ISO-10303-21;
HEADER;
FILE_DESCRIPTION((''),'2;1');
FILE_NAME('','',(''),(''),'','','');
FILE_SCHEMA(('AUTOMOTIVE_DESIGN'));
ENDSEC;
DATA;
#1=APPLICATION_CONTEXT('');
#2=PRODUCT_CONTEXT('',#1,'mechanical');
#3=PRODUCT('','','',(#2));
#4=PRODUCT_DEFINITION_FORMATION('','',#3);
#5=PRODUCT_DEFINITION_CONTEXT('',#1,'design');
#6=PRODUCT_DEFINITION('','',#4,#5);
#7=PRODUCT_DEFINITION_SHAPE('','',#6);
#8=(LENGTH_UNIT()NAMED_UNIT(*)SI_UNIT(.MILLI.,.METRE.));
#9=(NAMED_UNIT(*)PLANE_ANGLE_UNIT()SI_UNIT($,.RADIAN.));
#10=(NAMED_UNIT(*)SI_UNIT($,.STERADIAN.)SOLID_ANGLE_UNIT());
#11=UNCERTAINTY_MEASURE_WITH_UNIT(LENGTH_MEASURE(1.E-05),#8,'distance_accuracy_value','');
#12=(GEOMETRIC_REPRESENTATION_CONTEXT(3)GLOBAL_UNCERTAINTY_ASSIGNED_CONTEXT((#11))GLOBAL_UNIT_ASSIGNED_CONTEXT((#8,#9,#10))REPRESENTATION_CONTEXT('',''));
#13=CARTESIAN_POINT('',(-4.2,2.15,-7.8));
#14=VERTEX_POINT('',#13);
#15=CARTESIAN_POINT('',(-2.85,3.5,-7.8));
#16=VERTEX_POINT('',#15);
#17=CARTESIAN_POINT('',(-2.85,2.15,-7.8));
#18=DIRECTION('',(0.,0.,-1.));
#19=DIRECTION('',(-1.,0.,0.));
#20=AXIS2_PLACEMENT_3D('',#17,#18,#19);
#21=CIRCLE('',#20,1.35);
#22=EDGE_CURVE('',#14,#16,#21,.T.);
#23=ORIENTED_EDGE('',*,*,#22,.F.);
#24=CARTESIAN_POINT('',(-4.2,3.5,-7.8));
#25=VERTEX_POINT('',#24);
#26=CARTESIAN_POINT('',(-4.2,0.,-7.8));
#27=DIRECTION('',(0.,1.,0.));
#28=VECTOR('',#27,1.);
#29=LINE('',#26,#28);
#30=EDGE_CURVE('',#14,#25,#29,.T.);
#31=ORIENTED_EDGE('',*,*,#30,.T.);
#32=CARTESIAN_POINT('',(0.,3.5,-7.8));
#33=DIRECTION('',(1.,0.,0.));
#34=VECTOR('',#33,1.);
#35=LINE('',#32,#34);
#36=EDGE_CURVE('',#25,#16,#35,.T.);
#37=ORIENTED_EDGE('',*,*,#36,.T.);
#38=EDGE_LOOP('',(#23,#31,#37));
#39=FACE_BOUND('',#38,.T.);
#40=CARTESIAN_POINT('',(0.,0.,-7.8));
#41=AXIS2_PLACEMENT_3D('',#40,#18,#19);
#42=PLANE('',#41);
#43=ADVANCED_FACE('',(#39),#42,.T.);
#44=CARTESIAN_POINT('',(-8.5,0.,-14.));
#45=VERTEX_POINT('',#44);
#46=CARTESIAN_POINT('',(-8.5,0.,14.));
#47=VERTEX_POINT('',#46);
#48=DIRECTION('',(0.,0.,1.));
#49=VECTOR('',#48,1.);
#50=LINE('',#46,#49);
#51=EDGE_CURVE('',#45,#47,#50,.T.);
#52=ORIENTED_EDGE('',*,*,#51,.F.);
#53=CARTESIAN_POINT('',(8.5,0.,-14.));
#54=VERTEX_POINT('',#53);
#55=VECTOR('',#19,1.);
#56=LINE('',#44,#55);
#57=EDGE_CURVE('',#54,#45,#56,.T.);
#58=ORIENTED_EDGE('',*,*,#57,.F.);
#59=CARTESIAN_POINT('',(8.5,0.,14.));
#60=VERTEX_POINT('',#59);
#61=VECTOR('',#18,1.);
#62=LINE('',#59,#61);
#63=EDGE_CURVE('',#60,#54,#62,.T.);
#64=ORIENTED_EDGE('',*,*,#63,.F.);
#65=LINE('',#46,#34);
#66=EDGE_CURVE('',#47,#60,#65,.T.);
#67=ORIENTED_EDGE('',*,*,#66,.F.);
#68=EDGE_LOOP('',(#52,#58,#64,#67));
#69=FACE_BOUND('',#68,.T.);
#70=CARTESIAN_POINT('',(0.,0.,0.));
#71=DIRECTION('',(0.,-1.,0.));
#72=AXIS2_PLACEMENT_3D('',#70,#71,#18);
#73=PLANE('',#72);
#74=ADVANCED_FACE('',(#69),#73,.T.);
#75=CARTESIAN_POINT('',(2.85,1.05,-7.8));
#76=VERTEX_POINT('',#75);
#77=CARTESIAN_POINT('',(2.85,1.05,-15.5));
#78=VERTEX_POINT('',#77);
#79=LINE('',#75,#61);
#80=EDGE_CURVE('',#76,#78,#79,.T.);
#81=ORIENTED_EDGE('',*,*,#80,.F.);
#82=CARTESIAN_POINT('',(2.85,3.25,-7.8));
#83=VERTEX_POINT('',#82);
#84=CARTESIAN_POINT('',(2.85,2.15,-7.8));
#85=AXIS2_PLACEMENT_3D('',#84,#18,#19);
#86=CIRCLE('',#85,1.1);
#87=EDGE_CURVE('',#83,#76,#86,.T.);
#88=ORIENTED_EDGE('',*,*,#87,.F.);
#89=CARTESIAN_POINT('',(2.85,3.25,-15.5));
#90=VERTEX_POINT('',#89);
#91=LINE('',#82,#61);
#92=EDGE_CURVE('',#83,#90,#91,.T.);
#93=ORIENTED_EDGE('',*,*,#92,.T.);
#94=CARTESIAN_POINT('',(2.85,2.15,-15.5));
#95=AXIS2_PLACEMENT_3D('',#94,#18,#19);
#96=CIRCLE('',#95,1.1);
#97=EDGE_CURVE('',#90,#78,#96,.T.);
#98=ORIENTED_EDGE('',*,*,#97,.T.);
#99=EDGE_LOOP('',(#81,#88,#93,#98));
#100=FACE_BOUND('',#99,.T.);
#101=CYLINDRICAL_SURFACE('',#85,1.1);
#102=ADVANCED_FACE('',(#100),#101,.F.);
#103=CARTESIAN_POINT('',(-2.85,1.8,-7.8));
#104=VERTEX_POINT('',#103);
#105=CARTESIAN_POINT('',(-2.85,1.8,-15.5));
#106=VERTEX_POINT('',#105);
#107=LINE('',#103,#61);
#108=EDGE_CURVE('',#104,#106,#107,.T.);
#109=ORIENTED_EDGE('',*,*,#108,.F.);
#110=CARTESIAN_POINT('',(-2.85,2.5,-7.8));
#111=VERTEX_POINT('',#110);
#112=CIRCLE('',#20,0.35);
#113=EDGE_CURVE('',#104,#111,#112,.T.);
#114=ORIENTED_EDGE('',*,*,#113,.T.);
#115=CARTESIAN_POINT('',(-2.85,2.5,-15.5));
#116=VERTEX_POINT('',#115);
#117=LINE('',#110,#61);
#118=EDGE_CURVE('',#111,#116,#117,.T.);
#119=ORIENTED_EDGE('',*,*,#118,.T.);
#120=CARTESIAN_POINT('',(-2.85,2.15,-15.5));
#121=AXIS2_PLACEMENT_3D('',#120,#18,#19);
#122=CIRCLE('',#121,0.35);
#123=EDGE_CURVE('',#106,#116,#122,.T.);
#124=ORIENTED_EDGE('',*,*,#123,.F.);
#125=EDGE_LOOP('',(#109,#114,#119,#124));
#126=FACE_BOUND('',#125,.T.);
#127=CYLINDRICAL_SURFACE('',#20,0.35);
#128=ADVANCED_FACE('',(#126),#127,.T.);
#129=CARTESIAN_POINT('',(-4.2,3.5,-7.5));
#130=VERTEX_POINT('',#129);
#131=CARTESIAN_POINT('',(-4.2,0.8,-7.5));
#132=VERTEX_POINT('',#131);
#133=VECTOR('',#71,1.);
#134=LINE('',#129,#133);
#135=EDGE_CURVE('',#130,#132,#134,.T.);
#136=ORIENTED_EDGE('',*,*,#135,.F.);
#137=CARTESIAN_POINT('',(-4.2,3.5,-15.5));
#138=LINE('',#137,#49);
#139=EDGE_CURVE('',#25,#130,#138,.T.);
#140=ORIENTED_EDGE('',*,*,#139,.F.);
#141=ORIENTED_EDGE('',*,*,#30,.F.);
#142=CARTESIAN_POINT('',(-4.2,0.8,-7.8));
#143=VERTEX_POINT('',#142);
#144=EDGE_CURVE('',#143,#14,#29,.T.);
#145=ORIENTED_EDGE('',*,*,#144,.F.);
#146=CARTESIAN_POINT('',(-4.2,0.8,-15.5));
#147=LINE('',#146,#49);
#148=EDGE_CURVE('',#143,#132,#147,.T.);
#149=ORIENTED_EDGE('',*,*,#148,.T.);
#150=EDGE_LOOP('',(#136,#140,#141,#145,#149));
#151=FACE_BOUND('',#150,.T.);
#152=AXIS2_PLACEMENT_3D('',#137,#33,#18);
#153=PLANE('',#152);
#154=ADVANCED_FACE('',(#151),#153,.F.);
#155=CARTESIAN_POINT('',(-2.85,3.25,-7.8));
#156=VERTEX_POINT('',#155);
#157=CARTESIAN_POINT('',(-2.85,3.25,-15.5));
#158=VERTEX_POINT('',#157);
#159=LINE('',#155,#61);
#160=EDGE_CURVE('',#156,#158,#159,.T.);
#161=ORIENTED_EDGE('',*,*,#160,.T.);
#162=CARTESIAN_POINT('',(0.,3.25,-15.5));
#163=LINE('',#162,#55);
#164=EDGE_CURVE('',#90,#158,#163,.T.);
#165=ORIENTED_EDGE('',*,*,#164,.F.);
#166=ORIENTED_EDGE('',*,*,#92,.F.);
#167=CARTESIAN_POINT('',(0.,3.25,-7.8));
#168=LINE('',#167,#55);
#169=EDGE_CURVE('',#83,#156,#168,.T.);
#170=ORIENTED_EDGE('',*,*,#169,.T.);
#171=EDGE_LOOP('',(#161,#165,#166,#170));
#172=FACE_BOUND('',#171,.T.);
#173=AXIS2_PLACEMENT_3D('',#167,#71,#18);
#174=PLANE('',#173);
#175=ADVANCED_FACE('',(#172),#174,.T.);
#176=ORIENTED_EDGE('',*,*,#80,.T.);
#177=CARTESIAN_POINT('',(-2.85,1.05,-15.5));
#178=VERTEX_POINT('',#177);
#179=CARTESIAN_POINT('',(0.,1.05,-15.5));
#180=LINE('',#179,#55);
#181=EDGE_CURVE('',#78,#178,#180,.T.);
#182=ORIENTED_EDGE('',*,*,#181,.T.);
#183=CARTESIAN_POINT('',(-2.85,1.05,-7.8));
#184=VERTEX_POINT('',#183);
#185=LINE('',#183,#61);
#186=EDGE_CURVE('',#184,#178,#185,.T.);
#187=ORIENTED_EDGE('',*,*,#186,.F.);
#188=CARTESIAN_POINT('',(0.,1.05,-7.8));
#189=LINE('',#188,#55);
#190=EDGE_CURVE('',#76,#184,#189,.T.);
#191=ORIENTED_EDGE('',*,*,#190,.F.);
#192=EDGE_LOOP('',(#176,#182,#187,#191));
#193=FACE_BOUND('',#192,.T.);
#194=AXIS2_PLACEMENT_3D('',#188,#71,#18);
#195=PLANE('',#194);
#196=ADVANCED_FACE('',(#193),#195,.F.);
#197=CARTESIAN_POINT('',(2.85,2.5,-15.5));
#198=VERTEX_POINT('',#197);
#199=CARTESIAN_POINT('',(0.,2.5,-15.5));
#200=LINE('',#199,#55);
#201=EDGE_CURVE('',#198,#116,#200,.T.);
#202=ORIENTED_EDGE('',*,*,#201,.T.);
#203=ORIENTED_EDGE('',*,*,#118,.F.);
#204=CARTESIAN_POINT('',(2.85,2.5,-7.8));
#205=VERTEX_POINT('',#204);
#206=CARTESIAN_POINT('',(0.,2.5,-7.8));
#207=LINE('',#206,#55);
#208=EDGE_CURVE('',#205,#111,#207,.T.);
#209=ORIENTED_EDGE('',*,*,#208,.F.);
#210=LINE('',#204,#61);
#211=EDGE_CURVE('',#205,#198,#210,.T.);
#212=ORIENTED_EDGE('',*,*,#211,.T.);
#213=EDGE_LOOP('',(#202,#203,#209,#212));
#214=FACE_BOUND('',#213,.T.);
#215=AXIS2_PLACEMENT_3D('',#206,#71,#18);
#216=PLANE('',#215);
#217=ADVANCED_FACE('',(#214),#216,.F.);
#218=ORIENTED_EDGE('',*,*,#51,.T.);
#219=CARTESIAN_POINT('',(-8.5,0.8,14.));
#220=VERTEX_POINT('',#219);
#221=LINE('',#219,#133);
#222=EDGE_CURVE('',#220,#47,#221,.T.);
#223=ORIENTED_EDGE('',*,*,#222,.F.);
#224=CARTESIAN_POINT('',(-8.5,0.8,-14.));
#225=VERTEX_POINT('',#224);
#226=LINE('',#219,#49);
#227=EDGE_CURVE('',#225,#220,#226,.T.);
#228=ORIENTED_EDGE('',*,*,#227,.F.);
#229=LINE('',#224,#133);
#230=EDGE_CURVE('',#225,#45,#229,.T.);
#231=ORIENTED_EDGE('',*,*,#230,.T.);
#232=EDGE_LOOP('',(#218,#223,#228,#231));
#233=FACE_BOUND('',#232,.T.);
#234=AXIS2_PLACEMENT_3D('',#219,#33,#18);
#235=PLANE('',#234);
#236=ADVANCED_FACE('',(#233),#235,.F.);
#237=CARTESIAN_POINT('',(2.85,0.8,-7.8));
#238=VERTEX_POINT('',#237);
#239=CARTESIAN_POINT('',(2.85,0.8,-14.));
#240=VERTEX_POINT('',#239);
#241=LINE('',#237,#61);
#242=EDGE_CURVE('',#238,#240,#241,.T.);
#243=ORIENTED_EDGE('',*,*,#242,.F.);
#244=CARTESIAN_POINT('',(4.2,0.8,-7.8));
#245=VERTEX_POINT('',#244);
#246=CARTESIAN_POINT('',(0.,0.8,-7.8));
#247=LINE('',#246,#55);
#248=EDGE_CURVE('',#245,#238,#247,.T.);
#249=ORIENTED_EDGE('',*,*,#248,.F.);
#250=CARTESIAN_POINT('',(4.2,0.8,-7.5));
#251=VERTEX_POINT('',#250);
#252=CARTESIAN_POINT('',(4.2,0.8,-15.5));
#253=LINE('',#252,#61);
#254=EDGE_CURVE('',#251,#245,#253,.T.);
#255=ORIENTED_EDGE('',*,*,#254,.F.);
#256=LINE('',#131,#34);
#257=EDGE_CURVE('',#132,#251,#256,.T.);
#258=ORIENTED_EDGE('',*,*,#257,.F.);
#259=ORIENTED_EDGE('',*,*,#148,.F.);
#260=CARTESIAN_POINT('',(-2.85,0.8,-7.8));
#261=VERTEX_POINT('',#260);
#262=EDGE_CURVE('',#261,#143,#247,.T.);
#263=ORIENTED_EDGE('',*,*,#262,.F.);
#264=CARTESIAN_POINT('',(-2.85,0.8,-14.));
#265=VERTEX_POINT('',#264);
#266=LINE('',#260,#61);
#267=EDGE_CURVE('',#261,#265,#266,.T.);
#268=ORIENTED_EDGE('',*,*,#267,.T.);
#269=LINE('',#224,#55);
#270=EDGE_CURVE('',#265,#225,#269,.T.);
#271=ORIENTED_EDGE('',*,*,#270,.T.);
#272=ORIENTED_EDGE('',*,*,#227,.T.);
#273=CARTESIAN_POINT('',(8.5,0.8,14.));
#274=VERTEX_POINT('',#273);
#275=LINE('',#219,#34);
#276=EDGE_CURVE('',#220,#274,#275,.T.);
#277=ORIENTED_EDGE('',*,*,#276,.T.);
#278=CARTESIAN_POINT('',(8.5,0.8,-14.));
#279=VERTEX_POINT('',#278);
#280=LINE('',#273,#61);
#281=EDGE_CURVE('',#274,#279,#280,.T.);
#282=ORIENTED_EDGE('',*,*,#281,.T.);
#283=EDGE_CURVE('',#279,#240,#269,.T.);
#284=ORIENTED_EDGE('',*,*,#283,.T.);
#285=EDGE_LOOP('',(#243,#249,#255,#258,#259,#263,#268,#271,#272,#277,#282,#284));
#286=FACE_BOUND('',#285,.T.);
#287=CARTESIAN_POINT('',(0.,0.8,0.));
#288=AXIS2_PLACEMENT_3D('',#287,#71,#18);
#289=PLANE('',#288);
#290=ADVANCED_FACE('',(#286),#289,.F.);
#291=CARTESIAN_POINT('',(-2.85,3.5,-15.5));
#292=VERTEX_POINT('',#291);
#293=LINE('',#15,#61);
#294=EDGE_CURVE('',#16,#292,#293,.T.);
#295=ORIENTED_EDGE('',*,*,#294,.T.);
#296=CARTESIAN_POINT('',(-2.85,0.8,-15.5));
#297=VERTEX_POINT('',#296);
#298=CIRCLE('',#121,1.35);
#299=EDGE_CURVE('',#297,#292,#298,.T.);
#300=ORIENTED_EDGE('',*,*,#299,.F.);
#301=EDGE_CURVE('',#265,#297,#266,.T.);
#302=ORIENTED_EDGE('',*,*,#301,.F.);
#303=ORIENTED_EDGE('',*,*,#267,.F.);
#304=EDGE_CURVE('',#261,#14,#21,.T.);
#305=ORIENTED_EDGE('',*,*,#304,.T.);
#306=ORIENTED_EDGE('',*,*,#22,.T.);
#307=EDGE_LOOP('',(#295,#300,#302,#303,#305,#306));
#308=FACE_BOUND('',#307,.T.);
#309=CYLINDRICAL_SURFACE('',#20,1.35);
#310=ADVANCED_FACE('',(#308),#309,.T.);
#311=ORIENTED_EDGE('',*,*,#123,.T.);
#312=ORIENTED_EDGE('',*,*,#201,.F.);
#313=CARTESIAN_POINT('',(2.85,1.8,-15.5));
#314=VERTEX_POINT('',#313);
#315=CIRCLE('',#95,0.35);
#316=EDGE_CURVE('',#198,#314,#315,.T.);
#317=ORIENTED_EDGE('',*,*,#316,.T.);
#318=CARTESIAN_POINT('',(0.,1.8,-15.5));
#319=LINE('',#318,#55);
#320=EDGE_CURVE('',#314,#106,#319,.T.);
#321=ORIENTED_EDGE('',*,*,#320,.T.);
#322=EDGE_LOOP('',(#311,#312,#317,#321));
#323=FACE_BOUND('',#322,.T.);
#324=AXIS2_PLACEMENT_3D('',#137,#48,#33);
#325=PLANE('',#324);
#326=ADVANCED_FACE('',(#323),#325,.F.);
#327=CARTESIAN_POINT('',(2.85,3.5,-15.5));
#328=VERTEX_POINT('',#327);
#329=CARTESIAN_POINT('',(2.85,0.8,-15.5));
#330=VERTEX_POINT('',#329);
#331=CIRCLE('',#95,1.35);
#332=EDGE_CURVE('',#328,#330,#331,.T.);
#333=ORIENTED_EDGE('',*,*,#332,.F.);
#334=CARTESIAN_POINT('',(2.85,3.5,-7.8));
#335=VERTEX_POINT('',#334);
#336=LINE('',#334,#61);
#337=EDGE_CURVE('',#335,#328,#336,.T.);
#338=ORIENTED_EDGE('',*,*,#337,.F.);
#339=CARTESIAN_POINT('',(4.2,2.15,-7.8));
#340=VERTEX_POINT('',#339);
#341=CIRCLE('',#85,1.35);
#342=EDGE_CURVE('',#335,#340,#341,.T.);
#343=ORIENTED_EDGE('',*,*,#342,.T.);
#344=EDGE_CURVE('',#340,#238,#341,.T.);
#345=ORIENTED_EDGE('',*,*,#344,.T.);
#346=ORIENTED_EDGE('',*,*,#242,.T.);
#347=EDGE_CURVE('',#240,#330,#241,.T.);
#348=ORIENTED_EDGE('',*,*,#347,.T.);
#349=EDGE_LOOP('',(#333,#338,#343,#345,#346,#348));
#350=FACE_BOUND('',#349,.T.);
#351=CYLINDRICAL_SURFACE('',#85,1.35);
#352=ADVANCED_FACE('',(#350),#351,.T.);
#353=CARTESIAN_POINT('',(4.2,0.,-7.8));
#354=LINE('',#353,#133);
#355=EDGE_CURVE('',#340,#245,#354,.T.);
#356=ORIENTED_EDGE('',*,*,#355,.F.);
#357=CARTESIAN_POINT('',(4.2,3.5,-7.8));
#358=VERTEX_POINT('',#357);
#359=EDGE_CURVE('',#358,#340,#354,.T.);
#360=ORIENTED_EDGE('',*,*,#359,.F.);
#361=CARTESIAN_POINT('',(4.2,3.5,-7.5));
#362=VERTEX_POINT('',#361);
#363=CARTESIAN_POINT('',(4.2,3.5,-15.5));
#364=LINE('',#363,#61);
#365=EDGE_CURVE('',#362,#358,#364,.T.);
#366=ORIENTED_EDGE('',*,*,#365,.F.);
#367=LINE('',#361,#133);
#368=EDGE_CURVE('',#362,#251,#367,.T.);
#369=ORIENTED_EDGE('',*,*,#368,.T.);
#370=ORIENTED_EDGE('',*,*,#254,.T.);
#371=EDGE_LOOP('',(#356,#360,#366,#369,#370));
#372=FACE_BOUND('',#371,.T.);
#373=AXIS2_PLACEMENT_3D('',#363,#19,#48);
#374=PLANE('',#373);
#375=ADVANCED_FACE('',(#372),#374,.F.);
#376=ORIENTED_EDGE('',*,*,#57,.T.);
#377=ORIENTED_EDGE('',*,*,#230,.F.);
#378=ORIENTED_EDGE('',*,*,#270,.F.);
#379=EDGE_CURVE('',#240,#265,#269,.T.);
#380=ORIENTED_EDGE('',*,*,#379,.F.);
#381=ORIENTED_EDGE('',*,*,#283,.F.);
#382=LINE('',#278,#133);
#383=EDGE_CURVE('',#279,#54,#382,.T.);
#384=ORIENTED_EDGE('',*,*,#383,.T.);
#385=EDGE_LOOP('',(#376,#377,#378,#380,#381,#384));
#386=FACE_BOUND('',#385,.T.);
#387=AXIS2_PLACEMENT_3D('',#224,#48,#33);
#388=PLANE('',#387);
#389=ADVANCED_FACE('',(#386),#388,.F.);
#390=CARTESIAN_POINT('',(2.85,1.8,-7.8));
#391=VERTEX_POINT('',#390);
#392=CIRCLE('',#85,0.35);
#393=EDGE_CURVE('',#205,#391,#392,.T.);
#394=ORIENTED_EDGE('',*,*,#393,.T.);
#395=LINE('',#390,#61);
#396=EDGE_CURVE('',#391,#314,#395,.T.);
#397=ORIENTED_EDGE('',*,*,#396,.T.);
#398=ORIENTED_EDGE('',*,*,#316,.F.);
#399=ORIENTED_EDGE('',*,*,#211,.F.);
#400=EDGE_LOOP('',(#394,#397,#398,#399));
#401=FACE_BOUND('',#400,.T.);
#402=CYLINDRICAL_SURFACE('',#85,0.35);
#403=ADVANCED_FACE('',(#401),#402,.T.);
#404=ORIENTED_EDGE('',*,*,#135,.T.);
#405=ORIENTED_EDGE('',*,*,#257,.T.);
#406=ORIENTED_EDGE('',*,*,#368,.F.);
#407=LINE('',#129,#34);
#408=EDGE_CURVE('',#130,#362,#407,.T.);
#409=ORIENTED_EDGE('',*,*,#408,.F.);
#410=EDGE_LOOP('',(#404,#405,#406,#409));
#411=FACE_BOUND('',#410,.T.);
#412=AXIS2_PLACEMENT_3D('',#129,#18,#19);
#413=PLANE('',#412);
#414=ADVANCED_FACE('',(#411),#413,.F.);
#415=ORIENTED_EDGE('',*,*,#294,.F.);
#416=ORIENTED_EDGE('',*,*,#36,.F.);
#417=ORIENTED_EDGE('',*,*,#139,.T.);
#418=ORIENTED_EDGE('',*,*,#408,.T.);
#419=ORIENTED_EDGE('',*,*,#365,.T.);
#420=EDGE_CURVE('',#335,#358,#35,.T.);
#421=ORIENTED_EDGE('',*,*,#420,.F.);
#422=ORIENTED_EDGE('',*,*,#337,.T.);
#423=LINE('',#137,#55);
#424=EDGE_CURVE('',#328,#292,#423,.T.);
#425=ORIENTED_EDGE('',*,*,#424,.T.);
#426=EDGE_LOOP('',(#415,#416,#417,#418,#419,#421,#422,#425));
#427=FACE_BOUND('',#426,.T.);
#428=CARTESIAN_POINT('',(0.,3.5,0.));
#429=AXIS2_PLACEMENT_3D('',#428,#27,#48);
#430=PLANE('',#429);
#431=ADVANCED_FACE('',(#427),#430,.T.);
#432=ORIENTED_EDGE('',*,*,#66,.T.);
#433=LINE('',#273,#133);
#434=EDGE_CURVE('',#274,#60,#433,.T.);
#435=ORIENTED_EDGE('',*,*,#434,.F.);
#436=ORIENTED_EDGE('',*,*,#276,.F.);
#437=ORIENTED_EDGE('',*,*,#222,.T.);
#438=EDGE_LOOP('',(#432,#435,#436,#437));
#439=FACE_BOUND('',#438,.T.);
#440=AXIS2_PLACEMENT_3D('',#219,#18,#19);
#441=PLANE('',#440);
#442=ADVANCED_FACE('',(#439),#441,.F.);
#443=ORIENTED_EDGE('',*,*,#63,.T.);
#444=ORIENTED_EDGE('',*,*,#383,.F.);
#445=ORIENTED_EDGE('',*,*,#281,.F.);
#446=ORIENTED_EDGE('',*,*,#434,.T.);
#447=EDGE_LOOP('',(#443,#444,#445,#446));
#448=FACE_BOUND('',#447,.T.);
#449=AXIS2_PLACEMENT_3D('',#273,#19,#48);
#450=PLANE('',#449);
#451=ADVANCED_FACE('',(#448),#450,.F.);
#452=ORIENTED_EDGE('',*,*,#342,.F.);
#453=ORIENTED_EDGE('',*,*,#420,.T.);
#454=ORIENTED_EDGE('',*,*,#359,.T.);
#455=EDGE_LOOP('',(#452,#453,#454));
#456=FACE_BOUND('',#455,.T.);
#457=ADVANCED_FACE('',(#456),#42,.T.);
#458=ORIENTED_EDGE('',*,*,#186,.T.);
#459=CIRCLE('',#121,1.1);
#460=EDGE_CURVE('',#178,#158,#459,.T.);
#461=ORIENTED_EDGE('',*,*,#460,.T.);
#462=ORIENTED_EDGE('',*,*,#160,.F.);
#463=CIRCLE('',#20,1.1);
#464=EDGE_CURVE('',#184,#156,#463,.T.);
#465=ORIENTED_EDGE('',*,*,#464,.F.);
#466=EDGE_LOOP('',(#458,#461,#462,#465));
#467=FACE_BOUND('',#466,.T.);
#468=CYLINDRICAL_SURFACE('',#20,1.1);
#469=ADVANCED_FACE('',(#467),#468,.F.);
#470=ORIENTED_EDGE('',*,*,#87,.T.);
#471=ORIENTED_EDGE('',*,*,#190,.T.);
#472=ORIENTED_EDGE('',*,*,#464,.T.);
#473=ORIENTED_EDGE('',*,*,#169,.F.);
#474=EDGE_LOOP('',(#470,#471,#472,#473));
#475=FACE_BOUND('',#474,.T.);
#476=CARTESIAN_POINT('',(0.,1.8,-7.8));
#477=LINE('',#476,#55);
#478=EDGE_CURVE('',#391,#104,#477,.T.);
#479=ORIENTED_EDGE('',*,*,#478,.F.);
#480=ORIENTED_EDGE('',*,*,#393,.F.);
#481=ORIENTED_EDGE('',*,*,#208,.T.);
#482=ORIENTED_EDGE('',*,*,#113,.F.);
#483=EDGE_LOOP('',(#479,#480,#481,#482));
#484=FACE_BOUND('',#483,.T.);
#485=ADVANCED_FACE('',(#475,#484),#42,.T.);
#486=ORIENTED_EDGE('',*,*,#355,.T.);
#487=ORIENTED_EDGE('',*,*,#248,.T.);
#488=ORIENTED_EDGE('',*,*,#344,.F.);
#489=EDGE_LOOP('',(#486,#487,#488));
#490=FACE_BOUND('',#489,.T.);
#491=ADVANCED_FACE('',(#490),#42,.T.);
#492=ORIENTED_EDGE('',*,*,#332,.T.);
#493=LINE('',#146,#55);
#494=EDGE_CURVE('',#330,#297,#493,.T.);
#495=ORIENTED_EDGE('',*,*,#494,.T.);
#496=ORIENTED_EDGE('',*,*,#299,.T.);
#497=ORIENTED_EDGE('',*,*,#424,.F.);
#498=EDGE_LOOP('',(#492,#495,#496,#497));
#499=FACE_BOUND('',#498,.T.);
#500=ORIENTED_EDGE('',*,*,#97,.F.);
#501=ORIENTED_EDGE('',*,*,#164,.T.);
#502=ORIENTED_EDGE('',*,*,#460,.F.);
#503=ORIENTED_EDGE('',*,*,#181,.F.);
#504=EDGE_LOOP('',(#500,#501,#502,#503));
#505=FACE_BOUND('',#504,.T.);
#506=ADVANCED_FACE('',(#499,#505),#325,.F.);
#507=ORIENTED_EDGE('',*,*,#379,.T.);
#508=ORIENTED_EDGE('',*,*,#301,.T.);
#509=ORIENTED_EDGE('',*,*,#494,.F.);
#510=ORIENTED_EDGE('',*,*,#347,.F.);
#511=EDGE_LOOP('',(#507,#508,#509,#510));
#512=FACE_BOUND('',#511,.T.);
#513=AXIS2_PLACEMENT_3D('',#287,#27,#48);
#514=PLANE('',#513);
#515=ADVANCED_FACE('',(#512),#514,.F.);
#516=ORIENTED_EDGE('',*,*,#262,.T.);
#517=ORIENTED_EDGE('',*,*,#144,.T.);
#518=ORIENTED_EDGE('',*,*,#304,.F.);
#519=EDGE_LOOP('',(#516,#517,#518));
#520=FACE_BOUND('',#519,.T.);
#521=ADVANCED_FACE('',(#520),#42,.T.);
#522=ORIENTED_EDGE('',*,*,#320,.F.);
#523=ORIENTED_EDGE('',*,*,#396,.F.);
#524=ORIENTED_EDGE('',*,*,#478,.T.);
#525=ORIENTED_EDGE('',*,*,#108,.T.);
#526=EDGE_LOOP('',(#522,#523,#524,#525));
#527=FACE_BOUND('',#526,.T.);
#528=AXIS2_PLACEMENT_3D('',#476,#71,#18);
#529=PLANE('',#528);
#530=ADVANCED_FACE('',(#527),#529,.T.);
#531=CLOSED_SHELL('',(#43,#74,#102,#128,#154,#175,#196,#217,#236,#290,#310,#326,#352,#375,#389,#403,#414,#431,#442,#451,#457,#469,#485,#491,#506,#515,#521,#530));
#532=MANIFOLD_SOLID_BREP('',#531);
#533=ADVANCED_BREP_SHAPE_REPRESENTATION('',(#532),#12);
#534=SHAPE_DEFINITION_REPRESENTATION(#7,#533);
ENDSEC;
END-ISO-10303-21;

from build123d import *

# Parameters (mm, degrees)
SKETCH1_W           = 17
SKETCH1_H           = 28
BOSS_EXTRUDE1_DEPTH = 0.8
SKETCH3_W           = 8.4
SKETCH3_H           = 8
BOSS_EXTRUDE2_DEPTH = 2.7
CUT_EXTRUDE1_DEPTH  = 7.7


with BuildPart() as part:
    # Sketch1 → Boss-Extrude1 (new body)
    with BuildSketch(Plane(origin=(0, 0, 0), x_dir=(1, 0, 0), z_dir=(0, 1, 0))):
        Rectangle(SKETCH1_W, SKETCH1_H)
    extrude(amount=BOSS_EXTRUDE1_DEPTH)

    # Sketch3 → Boss-Extrude2 (add)
    with BuildSketch(Plane(origin=(0, 0.8, 0), x_dir=(1, 0, 0), z_dir=(0, 1, 0))):
        with Locations((0, 11.5)):
            Rectangle(SKETCH3_W, SKETCH3_H)
    extrude(amount=BOSS_EXTRUDE2_DEPTH)

    # Sketch4 → Cut-Extrude1 (cut)
    with BuildSketch(Plane(origin=(0, 0, -15.5), x_dir=(-1, 0, 0), z_dir=(0, 0, -1))):
        with BuildLine():
            ThreePointArc((-4.2, 2.15), (-3.804594155, 3.104594155), (-2.85, 3.5))
            Line((-2.85, 3.5), (-4.2, 3.5))
            Line((-4.2, 3.5), (-4.2, 2.15))
        make_face()
        with BuildLine():
            ThreePointArc((-2.85, 0.8), (-3.804594155, 1.195405845), (-4.2, 2.15))
            Line((-4.2, 2.15), (-4.2, 0.8))
            Line((-4.2, 0.8), (-2.85, 0.8))
        make_face()
        with BuildLine():
            Line((4.2, 0.8), (4.2, 2.15))
            ThreePointArc((4.2, 2.15), (3.804594155, 1.195405845), (2.85, 0.8))
            Line((2.85, 0.8), (4.2, 0.8))
        make_face()
        with BuildLine():
            Line((4.2, 3.5), (2.85, 3.5))
            ThreePointArc((2.85, 3.5), (3.804594155, 3.104594155), (4.2, 2.15))
            Line((4.2, 2.15), (4.2, 3.5))
        make_face()
        with BuildLine():
            Line((-2.85, 1.05), (2.85, 1.05))
            ThreePointArc((2.85, 1.05), (3.95, 2.15), (2.85, 3.25))
            Line((2.85, 3.25), (-2.85, 3.25))
            ThreePointArc((-2.85, 3.25), (-3.95, 2.15), (-2.85, 1.05))
        make_face()
        with BuildLine():
            ThreePointArc((2.85, 1.8), (3.2, 2.15), (2.85, 2.5))
            Line((2.85, 2.5), (-2.85, 2.5))
            ThreePointArc((-2.85, 2.5), (-3.2, 2.15), (-2.85, 1.8))
            Line((-2.85, 1.8), (2.85, 1.8))
        make_face(mode=Mode.SUBTRACT)
    extrude(amount=-CUT_EXTRUDE1_DEPTH, mode=Mode.SUBTRACT)


solid = part.part
